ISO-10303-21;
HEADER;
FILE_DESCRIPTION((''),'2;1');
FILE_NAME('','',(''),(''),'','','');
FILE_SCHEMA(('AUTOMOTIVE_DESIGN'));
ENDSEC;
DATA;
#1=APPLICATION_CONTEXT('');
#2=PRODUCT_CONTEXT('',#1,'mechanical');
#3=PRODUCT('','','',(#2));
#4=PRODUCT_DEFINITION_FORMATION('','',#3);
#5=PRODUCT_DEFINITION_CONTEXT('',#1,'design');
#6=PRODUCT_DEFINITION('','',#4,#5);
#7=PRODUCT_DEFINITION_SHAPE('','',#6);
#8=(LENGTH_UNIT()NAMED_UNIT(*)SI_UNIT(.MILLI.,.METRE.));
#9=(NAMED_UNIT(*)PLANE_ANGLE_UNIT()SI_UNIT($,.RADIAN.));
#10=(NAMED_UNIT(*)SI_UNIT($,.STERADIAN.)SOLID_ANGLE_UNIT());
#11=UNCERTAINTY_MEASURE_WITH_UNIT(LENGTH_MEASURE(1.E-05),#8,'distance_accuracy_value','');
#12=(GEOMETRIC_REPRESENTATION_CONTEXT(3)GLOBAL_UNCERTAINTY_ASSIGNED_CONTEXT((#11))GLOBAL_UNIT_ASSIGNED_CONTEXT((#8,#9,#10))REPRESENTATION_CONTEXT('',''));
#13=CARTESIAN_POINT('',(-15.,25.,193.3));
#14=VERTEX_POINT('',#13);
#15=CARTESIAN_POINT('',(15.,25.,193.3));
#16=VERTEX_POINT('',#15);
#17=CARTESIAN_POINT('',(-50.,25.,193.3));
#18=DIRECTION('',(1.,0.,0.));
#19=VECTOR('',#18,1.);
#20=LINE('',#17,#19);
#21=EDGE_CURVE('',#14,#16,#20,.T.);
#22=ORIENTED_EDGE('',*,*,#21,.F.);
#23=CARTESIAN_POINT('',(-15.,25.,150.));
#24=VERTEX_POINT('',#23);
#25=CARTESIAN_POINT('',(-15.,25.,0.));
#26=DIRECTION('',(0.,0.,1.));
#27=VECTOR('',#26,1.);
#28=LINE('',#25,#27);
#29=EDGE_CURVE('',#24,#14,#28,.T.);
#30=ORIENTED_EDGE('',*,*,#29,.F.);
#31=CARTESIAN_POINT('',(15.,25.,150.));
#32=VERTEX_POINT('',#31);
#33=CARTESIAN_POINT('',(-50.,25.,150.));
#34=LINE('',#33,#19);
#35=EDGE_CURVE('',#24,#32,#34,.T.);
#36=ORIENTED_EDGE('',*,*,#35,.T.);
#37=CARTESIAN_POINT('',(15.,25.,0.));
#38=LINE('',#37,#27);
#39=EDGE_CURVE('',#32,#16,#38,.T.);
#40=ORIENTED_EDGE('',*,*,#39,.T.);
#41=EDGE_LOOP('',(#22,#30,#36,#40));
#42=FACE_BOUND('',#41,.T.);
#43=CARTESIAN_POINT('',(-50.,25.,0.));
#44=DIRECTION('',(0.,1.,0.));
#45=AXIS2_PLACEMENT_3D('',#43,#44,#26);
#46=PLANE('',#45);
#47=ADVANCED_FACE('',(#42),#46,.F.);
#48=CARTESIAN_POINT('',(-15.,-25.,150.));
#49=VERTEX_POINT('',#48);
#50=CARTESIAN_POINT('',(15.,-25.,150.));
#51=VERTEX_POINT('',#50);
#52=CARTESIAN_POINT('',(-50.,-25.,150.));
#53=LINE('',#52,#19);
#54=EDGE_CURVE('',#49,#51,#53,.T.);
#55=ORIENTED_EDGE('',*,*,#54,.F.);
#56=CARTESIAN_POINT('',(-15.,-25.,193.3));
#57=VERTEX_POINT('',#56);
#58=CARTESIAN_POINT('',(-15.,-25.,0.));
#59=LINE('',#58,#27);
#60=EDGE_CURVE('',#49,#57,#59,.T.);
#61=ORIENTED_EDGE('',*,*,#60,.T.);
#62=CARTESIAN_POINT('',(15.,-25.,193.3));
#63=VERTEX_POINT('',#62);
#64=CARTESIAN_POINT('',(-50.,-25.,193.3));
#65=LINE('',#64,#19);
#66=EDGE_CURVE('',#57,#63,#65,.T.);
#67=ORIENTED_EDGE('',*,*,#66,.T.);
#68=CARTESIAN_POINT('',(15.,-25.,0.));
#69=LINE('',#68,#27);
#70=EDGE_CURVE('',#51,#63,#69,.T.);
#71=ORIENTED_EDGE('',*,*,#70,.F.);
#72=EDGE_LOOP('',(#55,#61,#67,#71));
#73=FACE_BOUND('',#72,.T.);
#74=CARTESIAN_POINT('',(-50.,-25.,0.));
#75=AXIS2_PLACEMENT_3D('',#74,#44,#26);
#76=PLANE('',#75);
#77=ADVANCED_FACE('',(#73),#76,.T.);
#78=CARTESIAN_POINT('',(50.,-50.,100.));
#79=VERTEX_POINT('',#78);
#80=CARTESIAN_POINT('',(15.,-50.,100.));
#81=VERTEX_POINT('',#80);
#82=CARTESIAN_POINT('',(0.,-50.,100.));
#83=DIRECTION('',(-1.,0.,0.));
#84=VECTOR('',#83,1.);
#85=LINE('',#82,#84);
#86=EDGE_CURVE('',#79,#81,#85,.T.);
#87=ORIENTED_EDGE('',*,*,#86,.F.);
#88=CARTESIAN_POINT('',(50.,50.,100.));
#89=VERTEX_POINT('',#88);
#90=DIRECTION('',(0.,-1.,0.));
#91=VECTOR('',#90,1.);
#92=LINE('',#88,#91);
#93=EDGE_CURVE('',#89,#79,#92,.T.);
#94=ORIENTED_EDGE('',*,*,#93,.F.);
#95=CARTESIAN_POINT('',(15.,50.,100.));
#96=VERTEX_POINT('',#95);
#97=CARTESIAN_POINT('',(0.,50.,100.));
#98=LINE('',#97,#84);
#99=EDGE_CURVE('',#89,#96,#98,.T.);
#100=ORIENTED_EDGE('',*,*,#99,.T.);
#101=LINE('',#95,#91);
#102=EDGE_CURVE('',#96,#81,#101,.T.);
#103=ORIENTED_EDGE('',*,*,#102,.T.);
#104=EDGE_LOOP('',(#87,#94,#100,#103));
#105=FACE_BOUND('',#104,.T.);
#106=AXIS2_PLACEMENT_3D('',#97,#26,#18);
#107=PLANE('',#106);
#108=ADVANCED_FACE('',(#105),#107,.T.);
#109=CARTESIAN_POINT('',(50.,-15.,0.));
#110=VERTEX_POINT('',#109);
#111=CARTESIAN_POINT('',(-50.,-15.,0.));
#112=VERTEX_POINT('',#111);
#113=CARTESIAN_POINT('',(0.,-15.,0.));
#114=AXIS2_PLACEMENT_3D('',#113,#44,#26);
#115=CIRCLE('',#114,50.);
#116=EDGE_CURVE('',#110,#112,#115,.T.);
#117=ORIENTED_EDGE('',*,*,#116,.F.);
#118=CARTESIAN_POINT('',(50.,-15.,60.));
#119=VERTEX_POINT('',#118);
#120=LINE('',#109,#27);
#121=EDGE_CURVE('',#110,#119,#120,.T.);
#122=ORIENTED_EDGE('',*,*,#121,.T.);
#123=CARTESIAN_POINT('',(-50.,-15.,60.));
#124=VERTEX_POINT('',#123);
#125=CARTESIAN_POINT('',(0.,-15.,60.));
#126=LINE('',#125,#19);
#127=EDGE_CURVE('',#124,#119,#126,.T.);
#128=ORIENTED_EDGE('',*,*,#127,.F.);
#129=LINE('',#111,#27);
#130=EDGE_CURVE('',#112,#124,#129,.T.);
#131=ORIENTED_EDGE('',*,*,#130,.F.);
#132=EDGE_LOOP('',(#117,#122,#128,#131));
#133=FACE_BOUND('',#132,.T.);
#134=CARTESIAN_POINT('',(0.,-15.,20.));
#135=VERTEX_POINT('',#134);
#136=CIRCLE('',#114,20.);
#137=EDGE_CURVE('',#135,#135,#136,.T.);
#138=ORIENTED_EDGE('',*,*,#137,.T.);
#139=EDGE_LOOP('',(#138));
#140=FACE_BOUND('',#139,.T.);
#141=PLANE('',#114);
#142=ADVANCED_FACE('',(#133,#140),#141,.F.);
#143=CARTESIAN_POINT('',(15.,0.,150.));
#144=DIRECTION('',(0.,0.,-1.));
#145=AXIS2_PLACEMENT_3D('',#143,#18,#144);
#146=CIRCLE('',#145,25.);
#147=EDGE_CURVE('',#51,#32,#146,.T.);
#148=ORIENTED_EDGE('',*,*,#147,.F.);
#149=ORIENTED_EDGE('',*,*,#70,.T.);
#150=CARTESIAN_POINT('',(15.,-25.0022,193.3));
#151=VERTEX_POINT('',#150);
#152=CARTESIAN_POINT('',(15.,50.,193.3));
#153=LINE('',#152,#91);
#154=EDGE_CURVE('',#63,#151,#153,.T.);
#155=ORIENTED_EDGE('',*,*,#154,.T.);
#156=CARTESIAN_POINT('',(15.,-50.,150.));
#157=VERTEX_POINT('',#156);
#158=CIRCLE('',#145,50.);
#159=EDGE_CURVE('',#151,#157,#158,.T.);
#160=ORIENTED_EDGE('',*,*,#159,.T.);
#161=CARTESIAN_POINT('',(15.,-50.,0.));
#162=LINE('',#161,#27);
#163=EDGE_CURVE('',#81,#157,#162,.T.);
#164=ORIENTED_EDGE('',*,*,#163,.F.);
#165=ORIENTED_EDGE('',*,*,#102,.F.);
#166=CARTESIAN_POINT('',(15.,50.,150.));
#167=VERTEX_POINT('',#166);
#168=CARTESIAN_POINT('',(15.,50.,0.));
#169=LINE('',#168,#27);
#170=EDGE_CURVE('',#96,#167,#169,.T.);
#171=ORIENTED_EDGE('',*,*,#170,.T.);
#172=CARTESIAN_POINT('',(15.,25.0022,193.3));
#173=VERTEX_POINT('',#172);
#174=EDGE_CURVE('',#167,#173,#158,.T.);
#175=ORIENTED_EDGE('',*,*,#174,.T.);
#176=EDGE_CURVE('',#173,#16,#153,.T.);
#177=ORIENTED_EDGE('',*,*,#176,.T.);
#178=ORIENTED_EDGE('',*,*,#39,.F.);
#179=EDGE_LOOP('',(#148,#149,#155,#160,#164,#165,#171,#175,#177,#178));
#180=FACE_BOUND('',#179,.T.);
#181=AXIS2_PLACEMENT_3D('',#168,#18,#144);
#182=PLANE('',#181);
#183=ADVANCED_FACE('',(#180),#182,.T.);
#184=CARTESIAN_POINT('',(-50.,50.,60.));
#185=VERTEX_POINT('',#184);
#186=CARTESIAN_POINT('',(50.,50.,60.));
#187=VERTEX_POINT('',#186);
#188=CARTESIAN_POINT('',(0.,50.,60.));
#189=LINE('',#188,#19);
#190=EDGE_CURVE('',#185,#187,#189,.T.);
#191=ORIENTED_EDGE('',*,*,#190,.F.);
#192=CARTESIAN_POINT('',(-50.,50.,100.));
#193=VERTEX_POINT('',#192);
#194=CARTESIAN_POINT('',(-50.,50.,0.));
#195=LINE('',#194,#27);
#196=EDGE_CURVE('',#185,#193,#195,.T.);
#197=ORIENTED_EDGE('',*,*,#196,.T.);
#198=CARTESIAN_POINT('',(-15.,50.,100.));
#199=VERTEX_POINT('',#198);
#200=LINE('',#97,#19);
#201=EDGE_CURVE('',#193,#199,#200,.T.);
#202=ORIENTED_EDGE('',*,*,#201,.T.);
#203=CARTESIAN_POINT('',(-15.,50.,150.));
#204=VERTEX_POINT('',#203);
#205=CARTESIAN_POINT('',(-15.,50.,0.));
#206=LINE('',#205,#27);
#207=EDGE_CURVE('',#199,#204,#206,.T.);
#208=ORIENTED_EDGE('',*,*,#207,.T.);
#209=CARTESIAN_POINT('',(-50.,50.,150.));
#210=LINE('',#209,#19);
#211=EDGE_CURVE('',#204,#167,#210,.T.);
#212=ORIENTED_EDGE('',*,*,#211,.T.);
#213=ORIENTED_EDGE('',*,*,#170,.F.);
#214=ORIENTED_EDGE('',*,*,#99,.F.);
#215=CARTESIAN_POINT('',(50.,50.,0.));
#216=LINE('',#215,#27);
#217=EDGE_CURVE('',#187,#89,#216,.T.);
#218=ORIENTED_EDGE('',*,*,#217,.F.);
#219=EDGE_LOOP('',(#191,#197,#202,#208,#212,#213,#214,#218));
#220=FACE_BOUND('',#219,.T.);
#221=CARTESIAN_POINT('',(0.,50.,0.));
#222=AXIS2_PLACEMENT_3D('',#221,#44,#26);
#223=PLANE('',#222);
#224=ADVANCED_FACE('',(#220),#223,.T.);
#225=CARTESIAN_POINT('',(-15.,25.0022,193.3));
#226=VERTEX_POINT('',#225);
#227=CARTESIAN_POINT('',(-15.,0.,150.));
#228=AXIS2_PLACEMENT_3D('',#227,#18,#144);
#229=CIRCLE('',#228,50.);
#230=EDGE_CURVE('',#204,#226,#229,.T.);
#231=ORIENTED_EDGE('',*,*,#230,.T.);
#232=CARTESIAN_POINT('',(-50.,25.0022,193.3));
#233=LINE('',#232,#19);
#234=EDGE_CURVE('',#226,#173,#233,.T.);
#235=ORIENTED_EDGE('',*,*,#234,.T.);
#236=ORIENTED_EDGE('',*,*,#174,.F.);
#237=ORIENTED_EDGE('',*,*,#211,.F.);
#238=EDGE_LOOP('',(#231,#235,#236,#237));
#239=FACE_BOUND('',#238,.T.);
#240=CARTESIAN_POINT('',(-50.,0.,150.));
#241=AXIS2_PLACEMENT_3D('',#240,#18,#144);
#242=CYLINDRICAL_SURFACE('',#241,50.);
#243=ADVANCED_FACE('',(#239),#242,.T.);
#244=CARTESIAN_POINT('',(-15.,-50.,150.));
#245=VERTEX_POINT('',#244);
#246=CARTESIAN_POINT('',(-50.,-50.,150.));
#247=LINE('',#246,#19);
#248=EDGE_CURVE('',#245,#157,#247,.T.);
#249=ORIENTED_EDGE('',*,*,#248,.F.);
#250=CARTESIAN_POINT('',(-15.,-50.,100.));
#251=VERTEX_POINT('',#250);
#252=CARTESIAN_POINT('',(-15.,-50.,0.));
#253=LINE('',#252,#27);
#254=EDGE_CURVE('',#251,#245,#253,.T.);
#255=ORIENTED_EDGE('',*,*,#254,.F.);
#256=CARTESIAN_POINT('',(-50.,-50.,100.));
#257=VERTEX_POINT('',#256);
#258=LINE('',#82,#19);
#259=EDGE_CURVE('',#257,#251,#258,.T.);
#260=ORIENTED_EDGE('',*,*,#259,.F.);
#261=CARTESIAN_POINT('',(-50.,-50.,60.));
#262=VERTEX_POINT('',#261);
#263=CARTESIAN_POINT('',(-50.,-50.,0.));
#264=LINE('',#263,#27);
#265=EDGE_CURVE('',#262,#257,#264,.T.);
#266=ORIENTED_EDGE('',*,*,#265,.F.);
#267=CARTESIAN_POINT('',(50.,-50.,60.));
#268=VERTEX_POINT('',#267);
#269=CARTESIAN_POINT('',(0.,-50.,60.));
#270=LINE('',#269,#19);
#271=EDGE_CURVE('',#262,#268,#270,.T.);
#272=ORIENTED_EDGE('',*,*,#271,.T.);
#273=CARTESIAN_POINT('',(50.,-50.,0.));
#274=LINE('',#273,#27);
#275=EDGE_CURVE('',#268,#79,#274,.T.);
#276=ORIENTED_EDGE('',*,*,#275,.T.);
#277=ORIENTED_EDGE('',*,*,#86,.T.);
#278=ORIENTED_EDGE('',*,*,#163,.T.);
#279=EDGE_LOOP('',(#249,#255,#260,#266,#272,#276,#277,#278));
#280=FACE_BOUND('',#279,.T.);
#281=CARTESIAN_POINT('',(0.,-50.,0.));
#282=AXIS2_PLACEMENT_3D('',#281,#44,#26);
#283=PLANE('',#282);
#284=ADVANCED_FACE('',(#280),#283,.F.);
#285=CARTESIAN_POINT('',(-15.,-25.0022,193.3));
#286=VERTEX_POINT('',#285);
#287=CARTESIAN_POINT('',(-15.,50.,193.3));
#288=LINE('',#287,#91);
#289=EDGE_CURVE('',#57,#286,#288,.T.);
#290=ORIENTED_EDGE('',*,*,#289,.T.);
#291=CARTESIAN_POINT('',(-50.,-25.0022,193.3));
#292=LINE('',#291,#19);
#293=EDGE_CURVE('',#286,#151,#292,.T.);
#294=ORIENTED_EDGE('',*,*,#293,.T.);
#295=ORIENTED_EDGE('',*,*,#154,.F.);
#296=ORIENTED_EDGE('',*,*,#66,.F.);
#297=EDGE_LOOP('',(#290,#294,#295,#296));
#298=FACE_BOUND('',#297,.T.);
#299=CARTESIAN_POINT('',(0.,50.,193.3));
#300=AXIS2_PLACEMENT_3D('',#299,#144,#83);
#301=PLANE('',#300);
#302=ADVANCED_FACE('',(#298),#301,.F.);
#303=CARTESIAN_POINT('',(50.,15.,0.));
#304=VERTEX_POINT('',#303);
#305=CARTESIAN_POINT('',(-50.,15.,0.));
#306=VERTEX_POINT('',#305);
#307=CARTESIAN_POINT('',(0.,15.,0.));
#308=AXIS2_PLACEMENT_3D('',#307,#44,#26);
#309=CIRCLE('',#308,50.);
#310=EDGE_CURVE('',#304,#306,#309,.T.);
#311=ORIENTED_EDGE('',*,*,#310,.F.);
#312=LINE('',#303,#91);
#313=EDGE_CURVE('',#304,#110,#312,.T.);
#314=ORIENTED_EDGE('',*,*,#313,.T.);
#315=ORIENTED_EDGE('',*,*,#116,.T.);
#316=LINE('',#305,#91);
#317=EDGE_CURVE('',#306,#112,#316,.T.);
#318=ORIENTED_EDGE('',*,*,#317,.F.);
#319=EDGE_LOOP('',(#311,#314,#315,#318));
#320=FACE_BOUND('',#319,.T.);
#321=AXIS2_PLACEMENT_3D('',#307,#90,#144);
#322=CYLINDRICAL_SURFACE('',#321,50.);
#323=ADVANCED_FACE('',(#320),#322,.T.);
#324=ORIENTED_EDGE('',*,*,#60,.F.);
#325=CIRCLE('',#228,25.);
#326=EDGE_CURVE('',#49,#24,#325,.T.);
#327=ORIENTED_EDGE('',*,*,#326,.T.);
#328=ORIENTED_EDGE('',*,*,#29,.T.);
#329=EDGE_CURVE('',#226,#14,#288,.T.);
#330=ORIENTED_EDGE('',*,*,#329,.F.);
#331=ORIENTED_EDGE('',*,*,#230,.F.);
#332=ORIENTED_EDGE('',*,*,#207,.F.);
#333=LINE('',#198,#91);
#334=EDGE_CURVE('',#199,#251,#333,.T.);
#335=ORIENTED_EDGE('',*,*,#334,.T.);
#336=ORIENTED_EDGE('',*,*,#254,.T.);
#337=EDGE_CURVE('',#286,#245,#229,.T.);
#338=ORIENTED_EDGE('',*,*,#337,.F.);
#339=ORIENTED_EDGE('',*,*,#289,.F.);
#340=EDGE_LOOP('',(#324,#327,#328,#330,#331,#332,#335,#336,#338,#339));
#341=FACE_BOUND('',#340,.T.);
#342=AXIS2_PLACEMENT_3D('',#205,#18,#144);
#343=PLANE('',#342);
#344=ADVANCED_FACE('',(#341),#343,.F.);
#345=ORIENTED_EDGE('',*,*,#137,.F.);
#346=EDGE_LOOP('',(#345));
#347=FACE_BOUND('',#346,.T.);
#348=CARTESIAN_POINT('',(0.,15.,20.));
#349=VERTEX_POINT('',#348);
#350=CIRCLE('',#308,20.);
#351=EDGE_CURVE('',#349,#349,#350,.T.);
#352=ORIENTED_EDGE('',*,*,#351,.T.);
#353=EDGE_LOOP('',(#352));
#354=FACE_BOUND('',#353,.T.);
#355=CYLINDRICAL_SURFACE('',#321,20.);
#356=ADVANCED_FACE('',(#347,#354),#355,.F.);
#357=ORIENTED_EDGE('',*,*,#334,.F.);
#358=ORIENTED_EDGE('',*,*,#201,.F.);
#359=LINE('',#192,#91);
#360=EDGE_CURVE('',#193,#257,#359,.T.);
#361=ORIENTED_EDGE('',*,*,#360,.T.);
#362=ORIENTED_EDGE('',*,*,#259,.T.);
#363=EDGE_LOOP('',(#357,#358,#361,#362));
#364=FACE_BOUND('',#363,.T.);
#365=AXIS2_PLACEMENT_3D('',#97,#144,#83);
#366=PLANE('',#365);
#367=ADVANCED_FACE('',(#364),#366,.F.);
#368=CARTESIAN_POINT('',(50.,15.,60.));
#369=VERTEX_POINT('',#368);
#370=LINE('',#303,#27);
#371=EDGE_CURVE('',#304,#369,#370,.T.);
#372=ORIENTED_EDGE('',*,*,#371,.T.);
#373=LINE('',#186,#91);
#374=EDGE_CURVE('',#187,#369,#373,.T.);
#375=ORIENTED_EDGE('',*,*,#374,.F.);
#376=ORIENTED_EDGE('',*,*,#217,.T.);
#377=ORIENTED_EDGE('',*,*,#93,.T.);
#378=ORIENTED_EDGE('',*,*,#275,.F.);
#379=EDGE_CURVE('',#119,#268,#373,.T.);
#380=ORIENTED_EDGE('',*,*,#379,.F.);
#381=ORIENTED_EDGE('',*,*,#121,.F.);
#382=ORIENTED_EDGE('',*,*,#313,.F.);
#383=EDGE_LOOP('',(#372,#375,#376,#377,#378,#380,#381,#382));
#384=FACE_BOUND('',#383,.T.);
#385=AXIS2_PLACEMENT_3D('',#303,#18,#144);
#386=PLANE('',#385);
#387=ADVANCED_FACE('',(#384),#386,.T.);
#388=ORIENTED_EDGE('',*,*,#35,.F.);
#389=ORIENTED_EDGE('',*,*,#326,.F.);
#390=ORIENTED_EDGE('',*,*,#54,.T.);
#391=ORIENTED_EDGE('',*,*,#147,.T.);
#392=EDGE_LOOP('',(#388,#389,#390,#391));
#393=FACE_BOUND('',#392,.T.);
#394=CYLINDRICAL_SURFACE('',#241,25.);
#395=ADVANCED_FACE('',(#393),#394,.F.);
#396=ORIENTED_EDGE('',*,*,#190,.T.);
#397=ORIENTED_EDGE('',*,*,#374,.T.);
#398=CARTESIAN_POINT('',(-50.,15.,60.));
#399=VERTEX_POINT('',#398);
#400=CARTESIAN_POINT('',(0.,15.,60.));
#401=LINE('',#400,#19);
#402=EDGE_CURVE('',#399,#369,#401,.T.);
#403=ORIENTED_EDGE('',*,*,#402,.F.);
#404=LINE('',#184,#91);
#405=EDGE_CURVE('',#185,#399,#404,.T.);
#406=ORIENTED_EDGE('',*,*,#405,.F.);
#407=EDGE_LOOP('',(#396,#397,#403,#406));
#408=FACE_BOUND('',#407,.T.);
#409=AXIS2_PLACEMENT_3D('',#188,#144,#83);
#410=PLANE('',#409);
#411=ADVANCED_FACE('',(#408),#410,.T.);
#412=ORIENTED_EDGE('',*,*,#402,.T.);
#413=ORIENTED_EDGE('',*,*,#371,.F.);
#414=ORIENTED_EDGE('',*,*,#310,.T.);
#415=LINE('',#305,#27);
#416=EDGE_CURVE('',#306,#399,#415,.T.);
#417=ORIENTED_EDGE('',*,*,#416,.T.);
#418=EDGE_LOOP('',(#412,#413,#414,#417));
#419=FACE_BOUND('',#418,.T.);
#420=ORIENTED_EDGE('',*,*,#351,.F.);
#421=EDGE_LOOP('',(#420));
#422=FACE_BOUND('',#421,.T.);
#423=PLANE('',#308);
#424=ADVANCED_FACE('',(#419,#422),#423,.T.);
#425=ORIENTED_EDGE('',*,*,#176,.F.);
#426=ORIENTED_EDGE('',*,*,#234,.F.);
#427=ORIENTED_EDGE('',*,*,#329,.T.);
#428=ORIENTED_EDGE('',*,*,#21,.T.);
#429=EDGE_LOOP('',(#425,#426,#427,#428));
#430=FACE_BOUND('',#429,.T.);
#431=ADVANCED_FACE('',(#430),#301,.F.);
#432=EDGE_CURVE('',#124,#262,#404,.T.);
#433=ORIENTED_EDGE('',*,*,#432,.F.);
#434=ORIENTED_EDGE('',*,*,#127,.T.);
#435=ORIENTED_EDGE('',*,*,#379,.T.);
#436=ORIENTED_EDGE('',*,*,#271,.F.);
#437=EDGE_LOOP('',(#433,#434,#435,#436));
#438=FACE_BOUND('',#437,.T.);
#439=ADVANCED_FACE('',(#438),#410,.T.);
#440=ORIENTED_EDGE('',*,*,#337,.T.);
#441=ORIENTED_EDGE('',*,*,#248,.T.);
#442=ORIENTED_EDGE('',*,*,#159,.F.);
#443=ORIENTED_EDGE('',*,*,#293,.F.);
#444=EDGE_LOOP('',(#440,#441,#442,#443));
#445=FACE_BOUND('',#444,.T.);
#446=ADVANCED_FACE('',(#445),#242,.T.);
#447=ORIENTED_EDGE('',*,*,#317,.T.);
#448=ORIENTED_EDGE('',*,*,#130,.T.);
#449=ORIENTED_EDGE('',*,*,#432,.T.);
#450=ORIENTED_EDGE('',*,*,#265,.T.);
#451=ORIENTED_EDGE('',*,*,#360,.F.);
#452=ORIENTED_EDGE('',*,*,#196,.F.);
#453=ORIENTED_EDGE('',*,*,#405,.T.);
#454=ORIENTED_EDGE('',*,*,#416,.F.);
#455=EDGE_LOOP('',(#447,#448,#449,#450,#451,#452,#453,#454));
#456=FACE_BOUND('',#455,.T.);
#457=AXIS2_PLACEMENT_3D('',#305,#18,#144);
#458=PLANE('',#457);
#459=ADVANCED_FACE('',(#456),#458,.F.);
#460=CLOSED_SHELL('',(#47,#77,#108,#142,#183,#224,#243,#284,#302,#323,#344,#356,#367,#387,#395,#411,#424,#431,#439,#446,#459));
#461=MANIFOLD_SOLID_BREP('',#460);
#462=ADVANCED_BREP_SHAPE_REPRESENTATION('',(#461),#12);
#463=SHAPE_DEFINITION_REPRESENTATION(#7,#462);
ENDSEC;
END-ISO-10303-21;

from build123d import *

# Parameters (mm, degrees)
SKETCH1_R           = 20
BOSS_EXTRUDE1_DEPTH = 15
BOSS_EXTRUDE2_DEPTH = 50
CUT_EXTRUDE1_DEPTH  = 210.975927192


with BuildPart() as part:
    # Sketch1 → Boss-Extrude1 (new, symmetric)
    with BuildSketch(Plane(origin=(0, 0, 0), x_dir=(1, 0, 0), z_dir=(0, 1, 0))):
        with BuildLine():
            ThreePointArc((50, 0), (0, 50), (-50, 0))
            Line((-50, 0), (-50, -60))
            Line((-50, -60), (50, -60))
            Line((50, -60), (50, 0))
        make_face()
        Circle(SKETCH1_R, mode=Mode.SUBTRACT)
    extrude(amount=BOSS_EXTRUDE1_DEPTH, both=True)

    # Sketch1<3> → Boss-Extrude2 (add, symmetric)
    with BuildSketch(Plane(origin=(0, 0, 0), x_dir=(1, 0, 0), z_dir=(0, 1, 0))):
        Polygon((-50, -60), (-50, -100), (-15, -100), (-15, -193.3), (15, -193.3), (15, -100), (50, -100), (50, -60), align=None)
    extrude(amount=BOSS_EXTRUDE2_DEPTH, both=True)

    # Sketch2 → Cut-Extrude1 (cut, through all)
    with BuildSketch(Plane(origin=(15, 0, 0), x_dir=(0, 0, -1), z_dir=(1, 0, 0))):
        with BuildLine():
            ThreePointArc((-150, -25), (-125, 0), (-150, 25))
            Line((-150, 25), (-193.3, 25))
            Line((-193.3, 25), (-193.3, -25))
            Line((-193.3, -25), (-150, -25))
        make_face()
        with BuildLine():
            Line((-193.3, 50), (-193.3, 25.002199903))
            ThreePointArc((-193.3, 25.002199903), (-174.998900024, 43.301905242), (-150, 50))
            Line((-150, 50), (-193.3, 50))
        make_face()
        with BuildLine():
            ThreePointArc((-150, -50), (-174.998900024, -43.301905242), (-193.3, -25.002199903))
            Line((-193.3, -25.002199903), (-193.3, -50))
            Line((-193.3, -50), (-150, -50))
        make_face()
    extrude(amount=-CUT_EXTRUDE1_DEPTH, mode=Mode.SUBTRACT)


solid = part.part
